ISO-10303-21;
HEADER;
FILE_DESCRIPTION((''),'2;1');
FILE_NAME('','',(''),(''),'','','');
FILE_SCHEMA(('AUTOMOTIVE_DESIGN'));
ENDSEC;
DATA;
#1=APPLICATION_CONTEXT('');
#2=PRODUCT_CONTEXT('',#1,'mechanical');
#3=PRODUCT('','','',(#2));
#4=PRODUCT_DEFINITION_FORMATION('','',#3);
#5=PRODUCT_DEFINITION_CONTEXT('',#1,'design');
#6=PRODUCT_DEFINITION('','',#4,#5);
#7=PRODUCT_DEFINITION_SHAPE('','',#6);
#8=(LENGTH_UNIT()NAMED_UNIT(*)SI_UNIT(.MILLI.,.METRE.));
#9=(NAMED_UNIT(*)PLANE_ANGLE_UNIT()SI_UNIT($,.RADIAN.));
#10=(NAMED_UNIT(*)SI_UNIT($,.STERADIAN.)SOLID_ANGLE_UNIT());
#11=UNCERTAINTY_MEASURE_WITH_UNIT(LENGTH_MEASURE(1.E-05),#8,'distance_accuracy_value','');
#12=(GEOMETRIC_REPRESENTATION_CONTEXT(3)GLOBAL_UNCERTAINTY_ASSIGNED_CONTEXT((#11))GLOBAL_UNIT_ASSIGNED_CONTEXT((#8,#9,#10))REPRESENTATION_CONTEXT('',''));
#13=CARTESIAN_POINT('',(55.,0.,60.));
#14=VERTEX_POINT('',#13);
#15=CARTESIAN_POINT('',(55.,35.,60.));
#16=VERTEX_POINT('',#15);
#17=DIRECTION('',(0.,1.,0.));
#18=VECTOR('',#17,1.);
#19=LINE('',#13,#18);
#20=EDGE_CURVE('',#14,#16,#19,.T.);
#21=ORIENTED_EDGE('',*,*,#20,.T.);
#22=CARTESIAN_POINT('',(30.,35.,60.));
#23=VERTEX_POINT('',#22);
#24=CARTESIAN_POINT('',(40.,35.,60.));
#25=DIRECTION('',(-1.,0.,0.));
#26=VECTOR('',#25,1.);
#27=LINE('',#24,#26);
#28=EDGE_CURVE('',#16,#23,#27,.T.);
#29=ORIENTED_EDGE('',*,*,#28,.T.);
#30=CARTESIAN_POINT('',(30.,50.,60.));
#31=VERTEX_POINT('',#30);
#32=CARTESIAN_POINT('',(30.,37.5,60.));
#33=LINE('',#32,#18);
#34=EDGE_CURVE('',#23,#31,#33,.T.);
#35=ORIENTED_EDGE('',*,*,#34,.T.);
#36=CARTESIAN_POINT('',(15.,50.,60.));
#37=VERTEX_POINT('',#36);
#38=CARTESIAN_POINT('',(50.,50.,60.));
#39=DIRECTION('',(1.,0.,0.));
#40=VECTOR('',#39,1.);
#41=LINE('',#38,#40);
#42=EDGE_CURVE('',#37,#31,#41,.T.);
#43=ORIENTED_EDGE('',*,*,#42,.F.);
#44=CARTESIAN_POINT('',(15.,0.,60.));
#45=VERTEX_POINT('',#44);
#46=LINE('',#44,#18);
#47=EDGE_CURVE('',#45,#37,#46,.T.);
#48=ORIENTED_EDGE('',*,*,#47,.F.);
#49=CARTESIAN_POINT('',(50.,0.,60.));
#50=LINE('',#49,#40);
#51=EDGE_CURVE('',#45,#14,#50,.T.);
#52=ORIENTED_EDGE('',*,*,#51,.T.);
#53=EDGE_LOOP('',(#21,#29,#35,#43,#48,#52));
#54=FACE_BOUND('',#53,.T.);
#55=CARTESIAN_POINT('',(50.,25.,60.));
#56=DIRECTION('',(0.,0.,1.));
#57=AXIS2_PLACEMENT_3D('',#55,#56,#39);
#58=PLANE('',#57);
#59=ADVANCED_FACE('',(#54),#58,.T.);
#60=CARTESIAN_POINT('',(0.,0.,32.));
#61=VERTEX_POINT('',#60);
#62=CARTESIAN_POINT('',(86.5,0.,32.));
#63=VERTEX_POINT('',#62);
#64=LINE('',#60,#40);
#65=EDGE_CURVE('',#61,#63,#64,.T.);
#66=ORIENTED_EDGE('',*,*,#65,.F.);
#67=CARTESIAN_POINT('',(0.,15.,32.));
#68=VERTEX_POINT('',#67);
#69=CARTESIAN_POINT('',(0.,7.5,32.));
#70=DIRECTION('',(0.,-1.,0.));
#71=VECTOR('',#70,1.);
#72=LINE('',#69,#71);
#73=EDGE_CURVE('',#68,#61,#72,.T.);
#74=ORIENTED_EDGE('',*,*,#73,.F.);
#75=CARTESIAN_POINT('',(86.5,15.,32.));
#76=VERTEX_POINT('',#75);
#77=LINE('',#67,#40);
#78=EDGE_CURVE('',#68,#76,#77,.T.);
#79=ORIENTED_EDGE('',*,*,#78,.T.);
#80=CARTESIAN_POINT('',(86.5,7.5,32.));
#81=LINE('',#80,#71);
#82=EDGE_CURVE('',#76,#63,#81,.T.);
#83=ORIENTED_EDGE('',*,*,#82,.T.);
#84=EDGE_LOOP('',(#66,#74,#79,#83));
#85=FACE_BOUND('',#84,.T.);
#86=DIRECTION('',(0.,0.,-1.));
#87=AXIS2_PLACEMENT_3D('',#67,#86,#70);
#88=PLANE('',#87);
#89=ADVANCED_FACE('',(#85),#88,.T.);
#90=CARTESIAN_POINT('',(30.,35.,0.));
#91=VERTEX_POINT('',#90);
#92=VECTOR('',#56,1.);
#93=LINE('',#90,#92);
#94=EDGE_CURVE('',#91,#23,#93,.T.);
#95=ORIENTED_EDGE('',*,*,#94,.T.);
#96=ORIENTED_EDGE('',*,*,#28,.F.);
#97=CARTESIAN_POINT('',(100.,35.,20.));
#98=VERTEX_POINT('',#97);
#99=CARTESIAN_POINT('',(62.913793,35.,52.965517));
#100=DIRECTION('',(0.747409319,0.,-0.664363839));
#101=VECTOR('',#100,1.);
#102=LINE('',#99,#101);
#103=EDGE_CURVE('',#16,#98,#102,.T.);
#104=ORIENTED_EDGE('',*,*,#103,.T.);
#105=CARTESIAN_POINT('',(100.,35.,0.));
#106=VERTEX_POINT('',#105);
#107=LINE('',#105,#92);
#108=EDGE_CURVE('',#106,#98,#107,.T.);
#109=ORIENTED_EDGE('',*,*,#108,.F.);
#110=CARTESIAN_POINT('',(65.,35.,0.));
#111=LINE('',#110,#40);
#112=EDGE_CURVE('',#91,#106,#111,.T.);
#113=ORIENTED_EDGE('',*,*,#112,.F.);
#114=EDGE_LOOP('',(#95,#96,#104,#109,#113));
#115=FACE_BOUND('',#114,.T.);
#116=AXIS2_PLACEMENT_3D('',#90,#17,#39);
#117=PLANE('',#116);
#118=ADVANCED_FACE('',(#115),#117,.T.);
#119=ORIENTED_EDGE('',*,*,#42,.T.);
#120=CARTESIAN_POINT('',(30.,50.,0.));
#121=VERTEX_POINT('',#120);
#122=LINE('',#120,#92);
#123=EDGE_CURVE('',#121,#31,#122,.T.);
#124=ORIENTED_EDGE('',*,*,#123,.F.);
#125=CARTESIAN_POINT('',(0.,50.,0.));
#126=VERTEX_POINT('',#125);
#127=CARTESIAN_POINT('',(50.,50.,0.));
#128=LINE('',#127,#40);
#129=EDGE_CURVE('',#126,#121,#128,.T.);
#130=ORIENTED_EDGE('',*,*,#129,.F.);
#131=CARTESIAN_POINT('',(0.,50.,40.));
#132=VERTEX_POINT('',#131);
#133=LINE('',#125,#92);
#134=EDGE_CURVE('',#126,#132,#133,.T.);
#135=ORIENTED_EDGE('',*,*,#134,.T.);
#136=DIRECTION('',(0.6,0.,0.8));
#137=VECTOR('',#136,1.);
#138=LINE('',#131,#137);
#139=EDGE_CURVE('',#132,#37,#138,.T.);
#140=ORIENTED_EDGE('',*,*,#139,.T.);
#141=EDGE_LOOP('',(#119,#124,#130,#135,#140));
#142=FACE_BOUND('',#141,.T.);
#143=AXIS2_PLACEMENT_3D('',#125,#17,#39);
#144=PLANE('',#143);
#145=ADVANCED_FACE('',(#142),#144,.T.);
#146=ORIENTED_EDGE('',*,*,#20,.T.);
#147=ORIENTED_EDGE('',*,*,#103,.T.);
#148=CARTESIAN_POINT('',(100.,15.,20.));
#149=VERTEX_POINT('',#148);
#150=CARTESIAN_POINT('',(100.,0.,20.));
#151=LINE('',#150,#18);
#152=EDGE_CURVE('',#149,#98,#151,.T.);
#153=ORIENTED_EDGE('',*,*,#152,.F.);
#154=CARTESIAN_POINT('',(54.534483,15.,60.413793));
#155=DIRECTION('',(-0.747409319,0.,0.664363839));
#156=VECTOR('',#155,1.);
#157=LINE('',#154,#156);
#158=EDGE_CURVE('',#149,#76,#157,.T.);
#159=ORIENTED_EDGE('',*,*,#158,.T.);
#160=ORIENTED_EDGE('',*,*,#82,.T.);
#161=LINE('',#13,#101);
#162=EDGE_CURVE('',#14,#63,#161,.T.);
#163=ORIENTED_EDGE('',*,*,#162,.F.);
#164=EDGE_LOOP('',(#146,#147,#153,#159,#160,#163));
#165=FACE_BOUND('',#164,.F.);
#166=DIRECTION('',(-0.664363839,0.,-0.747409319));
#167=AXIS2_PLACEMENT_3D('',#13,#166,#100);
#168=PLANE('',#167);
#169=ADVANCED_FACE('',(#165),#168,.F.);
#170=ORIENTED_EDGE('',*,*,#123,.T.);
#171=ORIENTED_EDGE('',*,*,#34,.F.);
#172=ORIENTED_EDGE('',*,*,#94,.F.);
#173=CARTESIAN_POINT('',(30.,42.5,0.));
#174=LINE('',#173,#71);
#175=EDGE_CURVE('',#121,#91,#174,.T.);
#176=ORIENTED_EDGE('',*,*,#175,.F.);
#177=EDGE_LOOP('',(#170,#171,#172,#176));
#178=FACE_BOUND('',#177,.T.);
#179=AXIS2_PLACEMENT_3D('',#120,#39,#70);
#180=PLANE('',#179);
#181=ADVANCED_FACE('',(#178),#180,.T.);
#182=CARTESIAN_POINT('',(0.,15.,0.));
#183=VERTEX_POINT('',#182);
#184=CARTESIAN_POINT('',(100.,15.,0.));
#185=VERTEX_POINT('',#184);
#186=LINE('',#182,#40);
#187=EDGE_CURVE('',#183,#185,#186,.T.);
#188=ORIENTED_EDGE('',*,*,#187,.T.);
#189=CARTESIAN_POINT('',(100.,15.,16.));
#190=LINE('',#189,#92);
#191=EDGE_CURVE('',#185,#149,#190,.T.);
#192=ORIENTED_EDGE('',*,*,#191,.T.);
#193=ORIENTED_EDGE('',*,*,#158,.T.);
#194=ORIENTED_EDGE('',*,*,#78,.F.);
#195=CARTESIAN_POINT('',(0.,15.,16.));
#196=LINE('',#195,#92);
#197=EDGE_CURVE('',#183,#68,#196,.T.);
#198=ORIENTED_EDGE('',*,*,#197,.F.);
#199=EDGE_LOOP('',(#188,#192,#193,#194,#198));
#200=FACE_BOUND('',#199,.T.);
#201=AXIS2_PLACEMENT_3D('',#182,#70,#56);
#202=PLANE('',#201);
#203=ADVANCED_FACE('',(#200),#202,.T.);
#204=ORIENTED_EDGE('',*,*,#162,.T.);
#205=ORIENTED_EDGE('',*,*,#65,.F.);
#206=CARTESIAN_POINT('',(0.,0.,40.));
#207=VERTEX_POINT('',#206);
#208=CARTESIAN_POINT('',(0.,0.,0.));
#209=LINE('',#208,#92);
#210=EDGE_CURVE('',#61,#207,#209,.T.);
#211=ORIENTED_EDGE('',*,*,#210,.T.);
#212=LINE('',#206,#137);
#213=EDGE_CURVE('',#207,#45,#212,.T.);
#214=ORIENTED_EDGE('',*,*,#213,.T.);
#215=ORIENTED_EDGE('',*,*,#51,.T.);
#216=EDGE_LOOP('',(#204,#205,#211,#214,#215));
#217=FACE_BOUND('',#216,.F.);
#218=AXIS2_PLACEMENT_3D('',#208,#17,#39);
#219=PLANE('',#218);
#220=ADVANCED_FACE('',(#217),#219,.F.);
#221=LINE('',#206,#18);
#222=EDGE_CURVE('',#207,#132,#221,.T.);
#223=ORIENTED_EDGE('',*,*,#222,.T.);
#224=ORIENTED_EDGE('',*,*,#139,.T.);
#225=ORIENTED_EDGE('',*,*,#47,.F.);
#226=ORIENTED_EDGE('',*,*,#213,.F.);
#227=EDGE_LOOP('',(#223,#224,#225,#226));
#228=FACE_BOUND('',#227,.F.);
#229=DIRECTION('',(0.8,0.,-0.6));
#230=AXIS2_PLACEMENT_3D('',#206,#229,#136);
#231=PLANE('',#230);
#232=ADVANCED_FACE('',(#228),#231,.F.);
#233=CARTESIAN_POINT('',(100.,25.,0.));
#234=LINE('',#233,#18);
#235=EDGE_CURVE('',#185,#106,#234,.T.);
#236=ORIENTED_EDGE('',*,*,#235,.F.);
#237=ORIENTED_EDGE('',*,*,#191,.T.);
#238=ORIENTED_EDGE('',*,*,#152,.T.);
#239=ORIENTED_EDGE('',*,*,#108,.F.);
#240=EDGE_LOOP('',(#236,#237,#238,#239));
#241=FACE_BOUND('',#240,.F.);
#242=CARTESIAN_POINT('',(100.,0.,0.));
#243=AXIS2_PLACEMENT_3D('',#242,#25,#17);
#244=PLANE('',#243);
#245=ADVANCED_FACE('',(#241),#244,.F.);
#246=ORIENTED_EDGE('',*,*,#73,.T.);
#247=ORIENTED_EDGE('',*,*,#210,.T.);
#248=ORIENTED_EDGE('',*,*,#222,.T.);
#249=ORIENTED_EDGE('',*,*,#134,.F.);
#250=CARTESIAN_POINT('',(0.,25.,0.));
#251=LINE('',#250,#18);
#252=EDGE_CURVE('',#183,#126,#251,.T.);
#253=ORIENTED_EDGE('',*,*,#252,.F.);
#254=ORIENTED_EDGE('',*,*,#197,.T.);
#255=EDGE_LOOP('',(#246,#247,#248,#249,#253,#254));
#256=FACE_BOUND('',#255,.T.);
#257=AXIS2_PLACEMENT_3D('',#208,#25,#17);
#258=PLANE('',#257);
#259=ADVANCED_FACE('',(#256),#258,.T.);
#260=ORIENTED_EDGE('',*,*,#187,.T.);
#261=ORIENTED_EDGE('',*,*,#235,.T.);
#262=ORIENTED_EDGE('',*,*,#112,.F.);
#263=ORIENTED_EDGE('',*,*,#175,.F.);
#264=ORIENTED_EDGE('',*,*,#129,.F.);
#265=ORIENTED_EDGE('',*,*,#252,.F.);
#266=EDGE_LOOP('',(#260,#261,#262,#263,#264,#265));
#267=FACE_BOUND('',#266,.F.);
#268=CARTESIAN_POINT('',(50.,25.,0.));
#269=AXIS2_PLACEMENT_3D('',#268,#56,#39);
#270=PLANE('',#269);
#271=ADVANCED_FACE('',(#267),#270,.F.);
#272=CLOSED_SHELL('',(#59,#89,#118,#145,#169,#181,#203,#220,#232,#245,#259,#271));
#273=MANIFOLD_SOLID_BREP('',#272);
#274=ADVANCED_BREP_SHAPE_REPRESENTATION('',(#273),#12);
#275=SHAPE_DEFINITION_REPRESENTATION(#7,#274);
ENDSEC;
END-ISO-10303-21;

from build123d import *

# Parameters (mm, degrees)
F0_W     = 100
F0_H     = 50
F1_DEPTH = 60
F3_DEPTH = 50
F5_DEPTH = 50
F6_W     = 15
F6_H     = 32
F7_DEPTH = 100
F8_W     = 70
F8_H     = 15
F9_DEPTH = 60.001


with BuildPart() as f1:
    # F0 (on Top) → F1 (new body)
    with BuildSketch(Plane.XY):
        with Locations((50, 25)):
            Rectangle(F0_W, F0_H)
    extrude(amount=F1_DEPTH)

    # F2 (on face) → F3 (cut, through all)
    with BuildSketch(Plane.XZ):
        Polygon((0, 40), (15, 60), (0, 60), align=None)
    extrude(amount=-F3_DEPTH, mode=Mode.SUBTRACT)

    # F4 (on face) → F5 (cut, through all)
    with BuildSketch(Plane.XZ):
        Polygon((100, 60), (55, 60), (100, 20), align=None)
    extrude(amount=-F5_DEPTH, mode=Mode.SUBTRACT)

    # F6 (on face) → F7 (cut, through all)
    with BuildSketch(Plane(origin=(0, 0, 0), x_dir=(0, -1, 0), z_dir=(-1, 0, 0))):
        with Locations((-7.5, 16)):
            Rectangle(F6_W, F6_H)
    extrude(amount=-F7_DEPTH, mode=Mode.SUBTRACT)

    # F8 (on face) → F9 (cut, through all)
    with BuildSketch(Plane(origin=(0, 0, 0), x_dir=(1, 0, 0), z_dir=(0, 0, -1))):
        with Locations((65, -42.5)):
            Rectangle(F8_W, F8_H)
    extrude(amount=-F9_DEPTH, mode=Mode.SUBTRACT)


solid = f1.part
